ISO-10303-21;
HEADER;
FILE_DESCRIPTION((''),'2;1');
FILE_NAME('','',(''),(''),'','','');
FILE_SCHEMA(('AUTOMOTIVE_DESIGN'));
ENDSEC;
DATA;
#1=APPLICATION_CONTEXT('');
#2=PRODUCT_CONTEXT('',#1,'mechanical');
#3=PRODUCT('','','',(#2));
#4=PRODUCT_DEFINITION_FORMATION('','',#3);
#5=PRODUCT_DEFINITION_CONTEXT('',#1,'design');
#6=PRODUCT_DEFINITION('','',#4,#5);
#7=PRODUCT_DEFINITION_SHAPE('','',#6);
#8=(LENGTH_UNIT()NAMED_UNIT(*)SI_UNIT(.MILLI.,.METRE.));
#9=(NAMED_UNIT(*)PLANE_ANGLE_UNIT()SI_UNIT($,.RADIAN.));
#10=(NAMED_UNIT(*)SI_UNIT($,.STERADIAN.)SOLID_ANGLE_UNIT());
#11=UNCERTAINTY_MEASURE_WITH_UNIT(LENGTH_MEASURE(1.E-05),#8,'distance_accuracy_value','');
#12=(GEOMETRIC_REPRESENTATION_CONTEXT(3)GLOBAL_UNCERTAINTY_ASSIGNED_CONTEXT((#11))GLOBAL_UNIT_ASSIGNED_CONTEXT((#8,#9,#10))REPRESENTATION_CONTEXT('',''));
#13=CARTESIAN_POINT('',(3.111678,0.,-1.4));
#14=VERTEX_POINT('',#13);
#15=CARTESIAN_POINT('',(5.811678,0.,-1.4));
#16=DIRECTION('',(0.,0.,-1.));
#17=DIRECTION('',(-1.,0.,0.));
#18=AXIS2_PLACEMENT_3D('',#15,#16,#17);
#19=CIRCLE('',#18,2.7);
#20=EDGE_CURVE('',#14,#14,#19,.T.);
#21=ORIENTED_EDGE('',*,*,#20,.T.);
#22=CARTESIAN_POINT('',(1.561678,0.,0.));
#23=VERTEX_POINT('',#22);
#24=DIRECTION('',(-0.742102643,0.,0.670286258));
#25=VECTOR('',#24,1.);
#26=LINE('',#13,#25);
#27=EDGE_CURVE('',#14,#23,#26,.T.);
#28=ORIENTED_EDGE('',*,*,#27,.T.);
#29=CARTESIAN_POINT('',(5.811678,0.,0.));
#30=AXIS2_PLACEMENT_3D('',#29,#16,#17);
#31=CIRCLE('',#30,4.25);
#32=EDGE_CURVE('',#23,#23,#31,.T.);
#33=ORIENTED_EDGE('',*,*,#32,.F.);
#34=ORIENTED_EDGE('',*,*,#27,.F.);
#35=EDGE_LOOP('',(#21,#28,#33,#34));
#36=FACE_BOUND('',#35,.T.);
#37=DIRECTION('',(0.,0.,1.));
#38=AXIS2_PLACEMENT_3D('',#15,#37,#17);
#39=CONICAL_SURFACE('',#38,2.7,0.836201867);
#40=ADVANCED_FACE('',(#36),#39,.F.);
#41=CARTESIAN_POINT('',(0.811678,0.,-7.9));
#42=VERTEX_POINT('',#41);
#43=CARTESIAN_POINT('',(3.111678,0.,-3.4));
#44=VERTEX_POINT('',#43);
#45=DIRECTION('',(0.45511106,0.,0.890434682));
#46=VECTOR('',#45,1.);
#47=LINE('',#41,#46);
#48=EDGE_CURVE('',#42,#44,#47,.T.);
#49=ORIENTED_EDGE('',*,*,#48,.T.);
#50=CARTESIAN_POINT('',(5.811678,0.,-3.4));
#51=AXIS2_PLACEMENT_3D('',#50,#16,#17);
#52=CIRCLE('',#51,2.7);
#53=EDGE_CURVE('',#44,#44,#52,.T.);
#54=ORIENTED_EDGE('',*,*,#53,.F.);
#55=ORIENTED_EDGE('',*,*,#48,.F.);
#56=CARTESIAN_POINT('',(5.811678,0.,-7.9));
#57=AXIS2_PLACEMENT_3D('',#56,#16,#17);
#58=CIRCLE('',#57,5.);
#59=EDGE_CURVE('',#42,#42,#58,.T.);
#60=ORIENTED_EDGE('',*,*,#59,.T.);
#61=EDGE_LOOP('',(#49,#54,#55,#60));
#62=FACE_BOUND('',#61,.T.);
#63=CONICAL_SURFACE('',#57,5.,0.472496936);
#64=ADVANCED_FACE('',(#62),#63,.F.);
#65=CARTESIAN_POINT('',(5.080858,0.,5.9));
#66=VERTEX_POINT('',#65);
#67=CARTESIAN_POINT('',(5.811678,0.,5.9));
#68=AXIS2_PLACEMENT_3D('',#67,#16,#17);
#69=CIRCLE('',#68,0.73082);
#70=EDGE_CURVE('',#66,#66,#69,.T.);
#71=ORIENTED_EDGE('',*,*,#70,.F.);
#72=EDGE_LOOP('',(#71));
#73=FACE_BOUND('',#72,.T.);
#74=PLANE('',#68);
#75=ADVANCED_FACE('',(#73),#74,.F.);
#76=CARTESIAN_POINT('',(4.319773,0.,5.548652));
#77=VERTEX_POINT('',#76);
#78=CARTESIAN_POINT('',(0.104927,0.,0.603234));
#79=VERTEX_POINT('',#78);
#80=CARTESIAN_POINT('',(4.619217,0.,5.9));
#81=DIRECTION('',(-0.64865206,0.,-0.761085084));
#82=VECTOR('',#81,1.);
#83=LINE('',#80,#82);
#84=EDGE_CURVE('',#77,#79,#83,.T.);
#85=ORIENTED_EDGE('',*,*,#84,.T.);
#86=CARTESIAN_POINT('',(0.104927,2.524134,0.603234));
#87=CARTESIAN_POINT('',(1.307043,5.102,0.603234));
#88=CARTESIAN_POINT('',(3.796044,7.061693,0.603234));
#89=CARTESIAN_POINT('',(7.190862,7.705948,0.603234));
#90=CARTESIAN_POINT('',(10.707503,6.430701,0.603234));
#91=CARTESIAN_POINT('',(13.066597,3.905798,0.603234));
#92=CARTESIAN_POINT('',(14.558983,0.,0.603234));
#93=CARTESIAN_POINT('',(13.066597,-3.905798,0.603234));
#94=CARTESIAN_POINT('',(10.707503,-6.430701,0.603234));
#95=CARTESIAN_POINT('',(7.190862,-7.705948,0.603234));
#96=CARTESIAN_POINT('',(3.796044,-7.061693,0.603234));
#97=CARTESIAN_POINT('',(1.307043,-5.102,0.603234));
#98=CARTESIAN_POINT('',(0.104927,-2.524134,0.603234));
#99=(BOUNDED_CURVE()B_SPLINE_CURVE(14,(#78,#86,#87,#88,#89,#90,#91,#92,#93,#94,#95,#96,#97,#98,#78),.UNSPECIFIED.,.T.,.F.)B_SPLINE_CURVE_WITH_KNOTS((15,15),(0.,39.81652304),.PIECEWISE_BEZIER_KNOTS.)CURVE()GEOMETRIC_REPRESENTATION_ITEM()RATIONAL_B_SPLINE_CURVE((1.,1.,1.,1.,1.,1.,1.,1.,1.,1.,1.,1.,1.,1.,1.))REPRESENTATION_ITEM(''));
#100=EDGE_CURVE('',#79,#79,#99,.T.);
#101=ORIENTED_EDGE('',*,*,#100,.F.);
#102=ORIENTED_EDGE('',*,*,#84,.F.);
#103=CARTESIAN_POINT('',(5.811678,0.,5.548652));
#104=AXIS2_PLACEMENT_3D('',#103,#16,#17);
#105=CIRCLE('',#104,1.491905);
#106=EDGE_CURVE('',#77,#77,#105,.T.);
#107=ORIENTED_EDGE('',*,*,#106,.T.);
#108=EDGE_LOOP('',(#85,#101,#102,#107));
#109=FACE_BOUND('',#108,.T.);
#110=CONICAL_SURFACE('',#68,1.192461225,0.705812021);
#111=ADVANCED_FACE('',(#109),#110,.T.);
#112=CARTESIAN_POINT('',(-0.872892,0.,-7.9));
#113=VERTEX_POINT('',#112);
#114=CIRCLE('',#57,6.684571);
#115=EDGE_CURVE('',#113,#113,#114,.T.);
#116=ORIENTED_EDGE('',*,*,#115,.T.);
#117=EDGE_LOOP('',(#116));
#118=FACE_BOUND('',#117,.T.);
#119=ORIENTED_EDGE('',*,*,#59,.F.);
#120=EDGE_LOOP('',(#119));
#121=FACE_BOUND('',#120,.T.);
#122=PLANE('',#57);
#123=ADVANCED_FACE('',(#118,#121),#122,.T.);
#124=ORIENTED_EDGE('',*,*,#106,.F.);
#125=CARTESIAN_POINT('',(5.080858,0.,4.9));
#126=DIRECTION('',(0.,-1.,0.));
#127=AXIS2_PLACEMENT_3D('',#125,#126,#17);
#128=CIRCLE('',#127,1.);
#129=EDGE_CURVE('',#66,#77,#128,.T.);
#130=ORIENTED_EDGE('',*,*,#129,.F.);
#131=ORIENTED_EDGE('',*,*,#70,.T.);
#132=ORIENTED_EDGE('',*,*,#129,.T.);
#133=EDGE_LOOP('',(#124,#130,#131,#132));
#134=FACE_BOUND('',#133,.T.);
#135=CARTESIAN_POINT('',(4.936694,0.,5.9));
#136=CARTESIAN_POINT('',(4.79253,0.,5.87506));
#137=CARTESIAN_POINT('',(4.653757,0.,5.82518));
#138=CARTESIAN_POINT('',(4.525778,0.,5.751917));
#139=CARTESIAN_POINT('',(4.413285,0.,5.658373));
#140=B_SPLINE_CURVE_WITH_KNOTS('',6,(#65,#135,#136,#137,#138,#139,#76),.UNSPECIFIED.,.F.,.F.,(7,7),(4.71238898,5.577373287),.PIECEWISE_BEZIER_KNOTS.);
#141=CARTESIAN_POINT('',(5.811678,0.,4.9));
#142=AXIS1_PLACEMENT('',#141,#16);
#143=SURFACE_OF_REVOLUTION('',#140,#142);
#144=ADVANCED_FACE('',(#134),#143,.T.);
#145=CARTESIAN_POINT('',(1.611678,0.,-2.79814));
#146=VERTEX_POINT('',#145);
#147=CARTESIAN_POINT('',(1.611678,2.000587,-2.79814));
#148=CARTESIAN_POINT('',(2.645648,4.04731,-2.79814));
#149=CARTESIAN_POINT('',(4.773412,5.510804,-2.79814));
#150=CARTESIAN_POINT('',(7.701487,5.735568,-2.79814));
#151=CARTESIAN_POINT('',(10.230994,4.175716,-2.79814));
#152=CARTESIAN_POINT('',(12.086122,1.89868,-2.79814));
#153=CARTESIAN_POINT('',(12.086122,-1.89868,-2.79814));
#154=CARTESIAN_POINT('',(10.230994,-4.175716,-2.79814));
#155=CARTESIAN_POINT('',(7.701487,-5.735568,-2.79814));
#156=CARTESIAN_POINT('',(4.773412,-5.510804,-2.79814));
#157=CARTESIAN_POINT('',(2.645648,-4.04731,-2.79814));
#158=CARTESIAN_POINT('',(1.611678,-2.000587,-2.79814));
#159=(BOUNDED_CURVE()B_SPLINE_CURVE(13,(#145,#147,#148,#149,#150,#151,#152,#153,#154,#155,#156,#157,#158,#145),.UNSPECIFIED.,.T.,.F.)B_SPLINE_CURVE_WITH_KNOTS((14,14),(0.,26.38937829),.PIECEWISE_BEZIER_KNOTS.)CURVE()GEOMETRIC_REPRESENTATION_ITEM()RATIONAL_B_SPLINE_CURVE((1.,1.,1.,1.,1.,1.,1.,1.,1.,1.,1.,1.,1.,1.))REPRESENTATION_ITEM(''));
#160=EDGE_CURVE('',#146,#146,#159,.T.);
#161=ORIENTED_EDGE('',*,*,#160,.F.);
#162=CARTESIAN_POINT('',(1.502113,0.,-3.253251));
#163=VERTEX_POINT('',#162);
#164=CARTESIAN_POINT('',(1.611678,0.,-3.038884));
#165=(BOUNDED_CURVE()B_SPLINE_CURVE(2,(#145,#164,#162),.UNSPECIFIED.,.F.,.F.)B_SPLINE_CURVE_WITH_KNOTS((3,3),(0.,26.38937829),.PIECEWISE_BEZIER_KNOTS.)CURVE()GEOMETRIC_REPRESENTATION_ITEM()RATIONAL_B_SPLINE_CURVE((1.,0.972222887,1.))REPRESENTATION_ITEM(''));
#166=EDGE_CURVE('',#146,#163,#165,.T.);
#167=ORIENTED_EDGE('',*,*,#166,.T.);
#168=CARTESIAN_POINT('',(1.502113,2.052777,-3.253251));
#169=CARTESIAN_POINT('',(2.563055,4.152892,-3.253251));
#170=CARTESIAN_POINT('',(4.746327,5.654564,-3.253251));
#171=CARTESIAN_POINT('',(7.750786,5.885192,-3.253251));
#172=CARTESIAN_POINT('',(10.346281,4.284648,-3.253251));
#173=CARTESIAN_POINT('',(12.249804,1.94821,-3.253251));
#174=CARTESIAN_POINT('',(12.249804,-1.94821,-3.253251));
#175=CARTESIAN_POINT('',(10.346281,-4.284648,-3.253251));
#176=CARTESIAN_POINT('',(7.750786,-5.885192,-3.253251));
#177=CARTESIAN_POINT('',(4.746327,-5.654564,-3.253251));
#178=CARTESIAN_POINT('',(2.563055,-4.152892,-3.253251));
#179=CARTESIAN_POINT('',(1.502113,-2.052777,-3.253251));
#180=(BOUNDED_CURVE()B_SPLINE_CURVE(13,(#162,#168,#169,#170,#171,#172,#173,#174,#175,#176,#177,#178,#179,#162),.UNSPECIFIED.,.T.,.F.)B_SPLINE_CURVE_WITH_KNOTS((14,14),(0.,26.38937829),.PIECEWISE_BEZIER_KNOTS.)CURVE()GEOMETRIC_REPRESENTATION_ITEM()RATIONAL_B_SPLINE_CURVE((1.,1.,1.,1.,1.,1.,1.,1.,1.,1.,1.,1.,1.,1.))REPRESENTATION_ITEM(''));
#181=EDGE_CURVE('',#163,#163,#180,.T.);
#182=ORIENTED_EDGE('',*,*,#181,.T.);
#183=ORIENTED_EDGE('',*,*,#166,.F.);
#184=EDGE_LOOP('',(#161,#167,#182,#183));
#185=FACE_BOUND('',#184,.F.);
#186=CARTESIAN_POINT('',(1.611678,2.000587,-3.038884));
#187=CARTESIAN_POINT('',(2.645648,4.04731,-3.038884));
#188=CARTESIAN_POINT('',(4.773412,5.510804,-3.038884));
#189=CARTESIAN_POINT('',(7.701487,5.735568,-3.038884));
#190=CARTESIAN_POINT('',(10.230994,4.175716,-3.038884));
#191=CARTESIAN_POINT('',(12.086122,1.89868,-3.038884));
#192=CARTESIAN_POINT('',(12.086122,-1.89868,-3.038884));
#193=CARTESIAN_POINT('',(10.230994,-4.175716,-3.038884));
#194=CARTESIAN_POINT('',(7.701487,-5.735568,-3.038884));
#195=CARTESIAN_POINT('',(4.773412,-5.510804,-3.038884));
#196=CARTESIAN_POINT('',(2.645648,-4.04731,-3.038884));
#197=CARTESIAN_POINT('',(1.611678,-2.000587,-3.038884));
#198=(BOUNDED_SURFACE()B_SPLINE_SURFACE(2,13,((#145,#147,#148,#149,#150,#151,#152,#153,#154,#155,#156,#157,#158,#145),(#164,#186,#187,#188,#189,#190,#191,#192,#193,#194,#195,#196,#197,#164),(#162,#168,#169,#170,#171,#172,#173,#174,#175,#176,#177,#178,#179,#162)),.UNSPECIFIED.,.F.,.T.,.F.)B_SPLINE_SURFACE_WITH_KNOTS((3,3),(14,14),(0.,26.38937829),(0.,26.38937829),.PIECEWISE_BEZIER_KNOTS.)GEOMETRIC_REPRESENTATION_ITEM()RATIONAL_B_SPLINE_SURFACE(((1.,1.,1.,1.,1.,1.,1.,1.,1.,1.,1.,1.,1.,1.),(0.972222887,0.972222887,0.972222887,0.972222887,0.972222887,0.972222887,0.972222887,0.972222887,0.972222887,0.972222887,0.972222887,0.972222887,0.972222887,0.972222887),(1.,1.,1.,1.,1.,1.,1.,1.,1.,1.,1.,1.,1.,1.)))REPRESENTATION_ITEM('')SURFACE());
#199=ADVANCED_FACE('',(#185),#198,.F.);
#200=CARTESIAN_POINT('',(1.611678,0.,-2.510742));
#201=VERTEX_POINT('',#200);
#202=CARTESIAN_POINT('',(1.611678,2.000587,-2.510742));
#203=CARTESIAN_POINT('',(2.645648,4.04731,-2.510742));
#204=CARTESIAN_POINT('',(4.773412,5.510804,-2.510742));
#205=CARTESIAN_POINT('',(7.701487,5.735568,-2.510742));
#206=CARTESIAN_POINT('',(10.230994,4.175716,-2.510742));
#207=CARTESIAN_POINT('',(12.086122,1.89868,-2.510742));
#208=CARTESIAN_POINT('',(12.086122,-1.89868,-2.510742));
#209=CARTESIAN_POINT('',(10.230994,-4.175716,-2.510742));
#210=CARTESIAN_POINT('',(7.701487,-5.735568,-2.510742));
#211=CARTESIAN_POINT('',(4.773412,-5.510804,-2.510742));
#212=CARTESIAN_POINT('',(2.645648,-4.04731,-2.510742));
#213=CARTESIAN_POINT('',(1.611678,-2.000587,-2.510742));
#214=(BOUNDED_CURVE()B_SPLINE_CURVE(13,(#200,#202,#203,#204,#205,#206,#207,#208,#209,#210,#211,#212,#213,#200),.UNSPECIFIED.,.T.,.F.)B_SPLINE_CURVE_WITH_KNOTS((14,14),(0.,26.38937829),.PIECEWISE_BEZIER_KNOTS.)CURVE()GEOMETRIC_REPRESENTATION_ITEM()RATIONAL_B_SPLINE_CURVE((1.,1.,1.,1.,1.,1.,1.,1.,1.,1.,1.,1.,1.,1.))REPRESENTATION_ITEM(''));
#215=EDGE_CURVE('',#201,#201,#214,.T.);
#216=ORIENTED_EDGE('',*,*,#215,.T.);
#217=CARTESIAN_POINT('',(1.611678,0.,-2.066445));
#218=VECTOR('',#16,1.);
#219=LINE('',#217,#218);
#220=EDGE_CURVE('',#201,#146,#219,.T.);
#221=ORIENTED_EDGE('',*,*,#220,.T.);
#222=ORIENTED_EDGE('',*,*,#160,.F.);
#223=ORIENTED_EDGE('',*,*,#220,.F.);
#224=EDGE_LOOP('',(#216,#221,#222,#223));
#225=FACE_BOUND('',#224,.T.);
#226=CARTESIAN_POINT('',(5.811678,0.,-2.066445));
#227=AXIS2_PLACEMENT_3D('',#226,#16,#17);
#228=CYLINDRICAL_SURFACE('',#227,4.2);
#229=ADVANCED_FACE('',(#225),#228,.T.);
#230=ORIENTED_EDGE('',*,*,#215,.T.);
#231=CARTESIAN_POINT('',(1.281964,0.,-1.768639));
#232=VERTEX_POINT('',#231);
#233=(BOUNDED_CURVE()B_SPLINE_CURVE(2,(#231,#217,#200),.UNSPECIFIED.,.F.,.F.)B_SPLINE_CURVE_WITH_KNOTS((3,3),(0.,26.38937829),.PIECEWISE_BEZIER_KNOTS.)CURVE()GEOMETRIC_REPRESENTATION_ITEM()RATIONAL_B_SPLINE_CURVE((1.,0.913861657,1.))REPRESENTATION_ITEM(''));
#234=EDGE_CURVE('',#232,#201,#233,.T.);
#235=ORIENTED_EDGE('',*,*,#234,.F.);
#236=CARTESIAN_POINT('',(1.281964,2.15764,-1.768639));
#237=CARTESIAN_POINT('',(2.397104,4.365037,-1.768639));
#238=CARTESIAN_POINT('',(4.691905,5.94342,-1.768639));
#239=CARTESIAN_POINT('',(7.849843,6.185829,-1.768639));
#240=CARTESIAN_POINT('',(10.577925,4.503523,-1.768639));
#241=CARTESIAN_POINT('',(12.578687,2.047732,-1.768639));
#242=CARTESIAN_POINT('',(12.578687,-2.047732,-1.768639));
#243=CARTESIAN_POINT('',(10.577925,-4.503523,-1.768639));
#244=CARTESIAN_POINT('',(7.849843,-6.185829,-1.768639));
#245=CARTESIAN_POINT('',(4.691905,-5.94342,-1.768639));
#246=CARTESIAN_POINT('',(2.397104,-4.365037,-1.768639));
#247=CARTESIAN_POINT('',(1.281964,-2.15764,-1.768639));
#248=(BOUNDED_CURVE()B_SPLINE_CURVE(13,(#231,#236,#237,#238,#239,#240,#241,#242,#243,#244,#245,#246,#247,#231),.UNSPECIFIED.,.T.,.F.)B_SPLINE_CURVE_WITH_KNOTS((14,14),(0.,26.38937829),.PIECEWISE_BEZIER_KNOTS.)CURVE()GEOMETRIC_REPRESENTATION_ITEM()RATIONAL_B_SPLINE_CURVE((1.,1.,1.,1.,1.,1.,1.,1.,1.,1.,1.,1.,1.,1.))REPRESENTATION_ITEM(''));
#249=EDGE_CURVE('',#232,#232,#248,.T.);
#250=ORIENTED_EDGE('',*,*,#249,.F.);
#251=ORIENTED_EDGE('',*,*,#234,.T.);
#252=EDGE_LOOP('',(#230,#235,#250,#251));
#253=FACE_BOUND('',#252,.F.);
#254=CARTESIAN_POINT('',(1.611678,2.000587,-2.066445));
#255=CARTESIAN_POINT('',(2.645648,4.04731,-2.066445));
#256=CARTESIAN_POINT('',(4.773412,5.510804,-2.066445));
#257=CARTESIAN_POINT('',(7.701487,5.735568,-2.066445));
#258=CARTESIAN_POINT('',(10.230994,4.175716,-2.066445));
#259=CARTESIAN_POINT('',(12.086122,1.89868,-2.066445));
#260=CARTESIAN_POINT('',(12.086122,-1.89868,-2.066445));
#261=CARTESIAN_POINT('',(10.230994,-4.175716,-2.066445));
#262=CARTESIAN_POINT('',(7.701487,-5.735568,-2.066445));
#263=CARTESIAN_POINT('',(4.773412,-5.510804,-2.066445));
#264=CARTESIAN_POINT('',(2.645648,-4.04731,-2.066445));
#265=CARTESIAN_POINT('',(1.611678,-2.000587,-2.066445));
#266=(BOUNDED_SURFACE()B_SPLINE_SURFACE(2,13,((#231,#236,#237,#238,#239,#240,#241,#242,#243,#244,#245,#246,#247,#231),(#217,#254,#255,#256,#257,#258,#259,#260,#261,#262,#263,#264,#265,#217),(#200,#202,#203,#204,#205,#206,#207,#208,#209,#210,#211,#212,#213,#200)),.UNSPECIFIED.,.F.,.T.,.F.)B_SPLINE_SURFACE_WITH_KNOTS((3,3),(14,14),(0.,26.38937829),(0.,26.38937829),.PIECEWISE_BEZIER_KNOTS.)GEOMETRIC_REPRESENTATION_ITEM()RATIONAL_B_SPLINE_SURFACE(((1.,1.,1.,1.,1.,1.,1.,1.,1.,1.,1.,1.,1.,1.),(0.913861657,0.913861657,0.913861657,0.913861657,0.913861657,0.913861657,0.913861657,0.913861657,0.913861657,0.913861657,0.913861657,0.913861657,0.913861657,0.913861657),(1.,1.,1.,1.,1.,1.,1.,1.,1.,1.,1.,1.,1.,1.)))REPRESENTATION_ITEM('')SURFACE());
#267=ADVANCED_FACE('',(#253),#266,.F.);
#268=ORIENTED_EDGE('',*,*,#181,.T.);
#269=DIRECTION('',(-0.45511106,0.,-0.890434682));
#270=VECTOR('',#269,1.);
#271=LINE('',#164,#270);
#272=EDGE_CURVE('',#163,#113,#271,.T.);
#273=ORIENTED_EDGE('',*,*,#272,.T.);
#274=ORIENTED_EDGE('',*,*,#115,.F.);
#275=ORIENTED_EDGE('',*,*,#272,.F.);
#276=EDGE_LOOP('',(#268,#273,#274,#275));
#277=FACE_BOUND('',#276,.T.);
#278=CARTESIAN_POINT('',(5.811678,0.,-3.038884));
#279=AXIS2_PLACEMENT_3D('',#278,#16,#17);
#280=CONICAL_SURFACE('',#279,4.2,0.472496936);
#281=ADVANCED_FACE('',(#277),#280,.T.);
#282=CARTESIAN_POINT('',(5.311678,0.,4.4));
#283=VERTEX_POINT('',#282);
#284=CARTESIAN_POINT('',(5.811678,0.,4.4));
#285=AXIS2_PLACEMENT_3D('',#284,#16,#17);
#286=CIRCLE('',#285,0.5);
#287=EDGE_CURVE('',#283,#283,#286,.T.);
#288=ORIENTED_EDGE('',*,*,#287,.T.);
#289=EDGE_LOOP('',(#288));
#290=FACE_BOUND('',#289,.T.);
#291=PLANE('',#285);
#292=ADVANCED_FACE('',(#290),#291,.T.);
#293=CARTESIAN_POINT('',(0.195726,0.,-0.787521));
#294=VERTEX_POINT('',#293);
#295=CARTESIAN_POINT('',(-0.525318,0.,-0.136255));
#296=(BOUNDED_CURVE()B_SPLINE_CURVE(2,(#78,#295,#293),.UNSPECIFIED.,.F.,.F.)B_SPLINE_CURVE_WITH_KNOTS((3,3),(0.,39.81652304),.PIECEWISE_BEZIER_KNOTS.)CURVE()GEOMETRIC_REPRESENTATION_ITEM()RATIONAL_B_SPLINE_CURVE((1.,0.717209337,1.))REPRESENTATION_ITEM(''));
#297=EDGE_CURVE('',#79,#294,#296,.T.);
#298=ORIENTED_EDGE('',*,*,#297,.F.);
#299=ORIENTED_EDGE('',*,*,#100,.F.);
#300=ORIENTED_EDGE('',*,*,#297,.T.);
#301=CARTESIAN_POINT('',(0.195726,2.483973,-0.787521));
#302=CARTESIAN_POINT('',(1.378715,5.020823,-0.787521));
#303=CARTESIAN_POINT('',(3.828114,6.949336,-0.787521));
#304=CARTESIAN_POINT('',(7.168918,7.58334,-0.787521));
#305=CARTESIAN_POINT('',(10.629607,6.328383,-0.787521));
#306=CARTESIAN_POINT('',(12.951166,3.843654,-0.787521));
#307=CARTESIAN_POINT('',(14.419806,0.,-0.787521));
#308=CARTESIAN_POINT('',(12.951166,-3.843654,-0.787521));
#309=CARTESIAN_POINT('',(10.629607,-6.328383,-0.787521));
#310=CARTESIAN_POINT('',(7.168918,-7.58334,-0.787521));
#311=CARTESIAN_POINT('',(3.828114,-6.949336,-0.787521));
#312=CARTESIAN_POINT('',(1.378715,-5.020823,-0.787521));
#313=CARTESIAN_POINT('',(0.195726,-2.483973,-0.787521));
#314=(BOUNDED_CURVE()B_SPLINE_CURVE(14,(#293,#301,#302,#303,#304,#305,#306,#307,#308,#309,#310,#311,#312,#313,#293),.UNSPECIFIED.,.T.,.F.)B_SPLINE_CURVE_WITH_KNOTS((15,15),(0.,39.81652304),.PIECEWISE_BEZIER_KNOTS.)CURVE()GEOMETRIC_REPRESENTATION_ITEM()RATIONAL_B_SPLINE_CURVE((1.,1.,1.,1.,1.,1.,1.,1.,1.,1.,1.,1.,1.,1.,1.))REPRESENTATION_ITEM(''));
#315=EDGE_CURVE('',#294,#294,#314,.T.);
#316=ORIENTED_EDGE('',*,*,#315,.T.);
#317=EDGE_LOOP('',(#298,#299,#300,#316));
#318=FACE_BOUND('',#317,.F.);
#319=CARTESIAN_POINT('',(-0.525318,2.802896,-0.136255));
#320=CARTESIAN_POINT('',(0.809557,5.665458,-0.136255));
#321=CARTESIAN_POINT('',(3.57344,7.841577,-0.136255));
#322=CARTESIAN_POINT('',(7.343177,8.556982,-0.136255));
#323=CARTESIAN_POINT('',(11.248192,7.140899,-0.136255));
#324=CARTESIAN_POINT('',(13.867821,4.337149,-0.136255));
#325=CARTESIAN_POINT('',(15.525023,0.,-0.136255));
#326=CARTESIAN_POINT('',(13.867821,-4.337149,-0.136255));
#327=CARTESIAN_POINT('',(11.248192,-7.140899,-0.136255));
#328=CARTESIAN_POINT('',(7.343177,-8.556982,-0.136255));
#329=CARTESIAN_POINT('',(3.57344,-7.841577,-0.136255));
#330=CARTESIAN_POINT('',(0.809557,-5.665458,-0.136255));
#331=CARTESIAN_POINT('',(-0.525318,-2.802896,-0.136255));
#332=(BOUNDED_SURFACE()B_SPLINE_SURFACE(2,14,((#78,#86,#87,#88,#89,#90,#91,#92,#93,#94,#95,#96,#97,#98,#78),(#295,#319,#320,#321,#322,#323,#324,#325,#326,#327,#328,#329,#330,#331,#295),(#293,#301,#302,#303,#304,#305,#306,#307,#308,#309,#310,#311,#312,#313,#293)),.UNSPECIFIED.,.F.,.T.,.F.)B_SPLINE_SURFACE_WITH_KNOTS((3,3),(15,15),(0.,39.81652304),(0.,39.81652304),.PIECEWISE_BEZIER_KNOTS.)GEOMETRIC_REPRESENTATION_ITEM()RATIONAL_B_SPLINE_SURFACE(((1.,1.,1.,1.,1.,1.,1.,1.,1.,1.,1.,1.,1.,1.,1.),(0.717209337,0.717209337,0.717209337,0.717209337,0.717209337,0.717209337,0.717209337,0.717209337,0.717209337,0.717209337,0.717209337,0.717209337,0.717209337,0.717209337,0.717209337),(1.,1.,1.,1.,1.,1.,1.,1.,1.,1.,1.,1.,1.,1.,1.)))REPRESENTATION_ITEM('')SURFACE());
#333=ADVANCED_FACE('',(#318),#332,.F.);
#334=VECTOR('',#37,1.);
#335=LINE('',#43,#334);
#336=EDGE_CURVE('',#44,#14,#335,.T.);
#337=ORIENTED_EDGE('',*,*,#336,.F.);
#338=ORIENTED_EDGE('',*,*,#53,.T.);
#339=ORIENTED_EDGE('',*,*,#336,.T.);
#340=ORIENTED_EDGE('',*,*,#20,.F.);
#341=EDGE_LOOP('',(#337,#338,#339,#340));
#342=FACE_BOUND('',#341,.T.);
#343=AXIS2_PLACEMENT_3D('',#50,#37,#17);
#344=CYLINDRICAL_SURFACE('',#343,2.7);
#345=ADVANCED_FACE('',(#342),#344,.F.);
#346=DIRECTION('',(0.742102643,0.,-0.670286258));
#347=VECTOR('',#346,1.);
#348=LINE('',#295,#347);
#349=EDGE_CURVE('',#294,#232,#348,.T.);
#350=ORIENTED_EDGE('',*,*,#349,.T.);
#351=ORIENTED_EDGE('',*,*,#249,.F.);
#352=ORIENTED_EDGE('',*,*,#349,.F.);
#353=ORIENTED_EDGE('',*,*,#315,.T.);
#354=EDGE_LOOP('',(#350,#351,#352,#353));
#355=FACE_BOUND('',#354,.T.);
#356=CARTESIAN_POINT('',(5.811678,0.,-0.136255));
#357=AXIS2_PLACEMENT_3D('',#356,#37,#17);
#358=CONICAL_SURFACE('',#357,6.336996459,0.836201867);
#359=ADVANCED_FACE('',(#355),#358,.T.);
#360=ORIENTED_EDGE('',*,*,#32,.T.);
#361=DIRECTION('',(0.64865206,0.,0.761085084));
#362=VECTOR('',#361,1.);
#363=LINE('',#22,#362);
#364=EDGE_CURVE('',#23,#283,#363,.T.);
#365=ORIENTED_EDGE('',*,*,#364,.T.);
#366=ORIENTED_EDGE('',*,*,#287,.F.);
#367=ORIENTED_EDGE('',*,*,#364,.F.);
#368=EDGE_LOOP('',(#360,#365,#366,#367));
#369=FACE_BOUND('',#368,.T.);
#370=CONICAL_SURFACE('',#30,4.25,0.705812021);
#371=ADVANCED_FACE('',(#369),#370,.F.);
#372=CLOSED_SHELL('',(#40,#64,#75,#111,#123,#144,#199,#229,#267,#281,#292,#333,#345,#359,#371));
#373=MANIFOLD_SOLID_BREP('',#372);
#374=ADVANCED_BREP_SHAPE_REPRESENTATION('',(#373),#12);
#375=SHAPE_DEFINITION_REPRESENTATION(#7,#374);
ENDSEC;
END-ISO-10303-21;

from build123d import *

# Parameters (mm, degrees)
F2_R = 1


with BuildPart() as f1:
    # F0 (on Front) → F1 (revolve)
    with BuildSketch(Plane.XZ):
        Polygon((5.3116780147, 4.4), (5.8116780147, 4.4), (5.8116780147, 5.9), (4.6192167893, 5.9), (-0.5253184439, -0.1362546736), (1.6116780147, -2.0664450233), (1.6116780147, -3.0388837995), (-0.8728924878, -7.9), (0.8116780147, -7.9), (3.1116780147, -3.4), (3.1116780147, -1.4), (1.5616780147, 0), align=None)
    revolve(axis=Axis((5.8116780147, 0, 1.9449143492), (0, 0, -1)))

    # F2
    f2_edges = [f1.edges().sort_by_distance(p)[0] for p in [
        (12.148674, 0, -0.136255),
        (7.004139, 0, 5.9),
        (10.011678, 0, -2.066445),
        (10.011678, 0, -3.038884),
    ]]
    fillet(f2_edges, radius=F2_R)


solid = f1.part
